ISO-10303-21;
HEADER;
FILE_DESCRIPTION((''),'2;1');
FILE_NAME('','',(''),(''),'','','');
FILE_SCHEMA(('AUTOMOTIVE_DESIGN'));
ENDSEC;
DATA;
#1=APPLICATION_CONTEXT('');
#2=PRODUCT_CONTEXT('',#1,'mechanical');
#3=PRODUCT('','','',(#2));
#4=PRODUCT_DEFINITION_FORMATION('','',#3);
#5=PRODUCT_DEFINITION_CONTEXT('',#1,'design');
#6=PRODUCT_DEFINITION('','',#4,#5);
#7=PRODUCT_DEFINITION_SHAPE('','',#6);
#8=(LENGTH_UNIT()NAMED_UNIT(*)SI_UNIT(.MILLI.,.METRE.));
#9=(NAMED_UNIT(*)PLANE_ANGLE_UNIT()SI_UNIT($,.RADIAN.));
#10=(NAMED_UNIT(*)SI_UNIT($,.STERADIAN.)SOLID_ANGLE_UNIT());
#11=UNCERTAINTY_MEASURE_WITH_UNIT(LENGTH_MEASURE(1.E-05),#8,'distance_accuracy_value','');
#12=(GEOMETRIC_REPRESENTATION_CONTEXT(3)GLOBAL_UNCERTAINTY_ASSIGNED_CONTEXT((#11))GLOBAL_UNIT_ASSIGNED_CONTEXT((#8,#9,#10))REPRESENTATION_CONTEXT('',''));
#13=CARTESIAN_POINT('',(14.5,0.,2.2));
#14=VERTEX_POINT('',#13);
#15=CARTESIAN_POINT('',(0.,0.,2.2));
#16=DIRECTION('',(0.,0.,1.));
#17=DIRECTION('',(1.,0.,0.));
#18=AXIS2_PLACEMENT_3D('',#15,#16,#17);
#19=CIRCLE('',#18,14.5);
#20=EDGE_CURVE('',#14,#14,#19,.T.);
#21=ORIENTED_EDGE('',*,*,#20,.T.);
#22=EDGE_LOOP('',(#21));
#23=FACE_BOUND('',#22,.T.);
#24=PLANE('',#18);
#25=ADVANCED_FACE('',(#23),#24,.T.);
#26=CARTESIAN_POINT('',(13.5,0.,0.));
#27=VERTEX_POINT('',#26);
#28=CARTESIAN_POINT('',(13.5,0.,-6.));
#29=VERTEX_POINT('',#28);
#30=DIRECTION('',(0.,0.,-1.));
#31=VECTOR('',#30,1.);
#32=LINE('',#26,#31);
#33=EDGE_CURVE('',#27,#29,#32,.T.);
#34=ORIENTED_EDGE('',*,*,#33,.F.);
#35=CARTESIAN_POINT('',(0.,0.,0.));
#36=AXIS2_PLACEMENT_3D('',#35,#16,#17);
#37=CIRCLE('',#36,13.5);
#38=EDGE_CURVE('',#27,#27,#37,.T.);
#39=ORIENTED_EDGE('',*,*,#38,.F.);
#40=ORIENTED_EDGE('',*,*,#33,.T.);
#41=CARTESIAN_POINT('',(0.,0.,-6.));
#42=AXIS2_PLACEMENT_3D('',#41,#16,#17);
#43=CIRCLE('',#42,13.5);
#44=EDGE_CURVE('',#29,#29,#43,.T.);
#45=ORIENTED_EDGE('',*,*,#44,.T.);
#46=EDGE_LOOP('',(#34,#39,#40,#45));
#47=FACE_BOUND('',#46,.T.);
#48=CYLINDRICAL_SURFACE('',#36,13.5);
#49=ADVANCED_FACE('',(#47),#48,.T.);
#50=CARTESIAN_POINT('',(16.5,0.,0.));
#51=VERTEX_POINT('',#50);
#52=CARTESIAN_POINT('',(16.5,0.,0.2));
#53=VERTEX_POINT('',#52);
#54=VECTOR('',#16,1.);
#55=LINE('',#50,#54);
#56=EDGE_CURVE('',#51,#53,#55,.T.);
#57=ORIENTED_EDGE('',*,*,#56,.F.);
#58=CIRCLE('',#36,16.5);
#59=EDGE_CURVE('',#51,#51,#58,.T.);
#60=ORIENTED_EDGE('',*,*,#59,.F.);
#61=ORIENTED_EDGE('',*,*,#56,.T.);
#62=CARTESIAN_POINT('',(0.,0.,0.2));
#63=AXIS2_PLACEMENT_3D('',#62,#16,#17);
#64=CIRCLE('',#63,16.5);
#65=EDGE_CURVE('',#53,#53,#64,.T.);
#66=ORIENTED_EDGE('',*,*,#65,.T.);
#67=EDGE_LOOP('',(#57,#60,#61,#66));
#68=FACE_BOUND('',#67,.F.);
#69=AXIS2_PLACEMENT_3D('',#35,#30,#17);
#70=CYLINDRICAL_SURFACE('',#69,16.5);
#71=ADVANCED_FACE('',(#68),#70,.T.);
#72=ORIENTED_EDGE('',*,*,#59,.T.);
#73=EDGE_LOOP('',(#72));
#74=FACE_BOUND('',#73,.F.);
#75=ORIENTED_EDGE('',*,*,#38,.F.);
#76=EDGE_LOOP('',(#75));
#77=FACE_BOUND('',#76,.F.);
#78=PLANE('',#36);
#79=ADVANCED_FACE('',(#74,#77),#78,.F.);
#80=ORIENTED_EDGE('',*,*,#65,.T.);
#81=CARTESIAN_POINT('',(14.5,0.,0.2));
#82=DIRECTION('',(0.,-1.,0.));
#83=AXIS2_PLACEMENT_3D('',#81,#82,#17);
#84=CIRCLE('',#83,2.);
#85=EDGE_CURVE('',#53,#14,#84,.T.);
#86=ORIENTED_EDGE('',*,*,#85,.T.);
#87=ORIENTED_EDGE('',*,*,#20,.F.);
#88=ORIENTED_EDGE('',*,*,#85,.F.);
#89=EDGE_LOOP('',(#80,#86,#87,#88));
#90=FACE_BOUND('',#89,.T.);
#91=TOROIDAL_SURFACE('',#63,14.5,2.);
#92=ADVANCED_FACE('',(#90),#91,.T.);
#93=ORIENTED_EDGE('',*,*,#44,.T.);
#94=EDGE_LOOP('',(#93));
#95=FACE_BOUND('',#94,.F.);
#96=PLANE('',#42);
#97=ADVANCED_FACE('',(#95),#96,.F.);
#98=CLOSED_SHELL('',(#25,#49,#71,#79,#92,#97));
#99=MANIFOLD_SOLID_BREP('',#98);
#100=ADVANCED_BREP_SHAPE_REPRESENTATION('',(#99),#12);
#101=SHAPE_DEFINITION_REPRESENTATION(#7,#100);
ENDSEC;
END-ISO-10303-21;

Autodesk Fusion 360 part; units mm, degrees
sketch "Sketch1" plane through (0, 0, 0) normal (0, 0, 1) x (1, 0, 0)
  circle A0 centre (0, 0) radius 13.5
  circle A1 centre (0, 0) radius 16.5
  dimension "d1" = 27
  dimension "d2" = 33
extrude "Extrude1" add sketch "Sketch1" along normal blind 2.2 contours A0 | A1
extrude "Extrude2" add sketch "Sketch1" against normal blind 6 contours A0
fillet "Fillet1" radius 2 1 edges at (-15.3834, -5.9667, 2.2)
